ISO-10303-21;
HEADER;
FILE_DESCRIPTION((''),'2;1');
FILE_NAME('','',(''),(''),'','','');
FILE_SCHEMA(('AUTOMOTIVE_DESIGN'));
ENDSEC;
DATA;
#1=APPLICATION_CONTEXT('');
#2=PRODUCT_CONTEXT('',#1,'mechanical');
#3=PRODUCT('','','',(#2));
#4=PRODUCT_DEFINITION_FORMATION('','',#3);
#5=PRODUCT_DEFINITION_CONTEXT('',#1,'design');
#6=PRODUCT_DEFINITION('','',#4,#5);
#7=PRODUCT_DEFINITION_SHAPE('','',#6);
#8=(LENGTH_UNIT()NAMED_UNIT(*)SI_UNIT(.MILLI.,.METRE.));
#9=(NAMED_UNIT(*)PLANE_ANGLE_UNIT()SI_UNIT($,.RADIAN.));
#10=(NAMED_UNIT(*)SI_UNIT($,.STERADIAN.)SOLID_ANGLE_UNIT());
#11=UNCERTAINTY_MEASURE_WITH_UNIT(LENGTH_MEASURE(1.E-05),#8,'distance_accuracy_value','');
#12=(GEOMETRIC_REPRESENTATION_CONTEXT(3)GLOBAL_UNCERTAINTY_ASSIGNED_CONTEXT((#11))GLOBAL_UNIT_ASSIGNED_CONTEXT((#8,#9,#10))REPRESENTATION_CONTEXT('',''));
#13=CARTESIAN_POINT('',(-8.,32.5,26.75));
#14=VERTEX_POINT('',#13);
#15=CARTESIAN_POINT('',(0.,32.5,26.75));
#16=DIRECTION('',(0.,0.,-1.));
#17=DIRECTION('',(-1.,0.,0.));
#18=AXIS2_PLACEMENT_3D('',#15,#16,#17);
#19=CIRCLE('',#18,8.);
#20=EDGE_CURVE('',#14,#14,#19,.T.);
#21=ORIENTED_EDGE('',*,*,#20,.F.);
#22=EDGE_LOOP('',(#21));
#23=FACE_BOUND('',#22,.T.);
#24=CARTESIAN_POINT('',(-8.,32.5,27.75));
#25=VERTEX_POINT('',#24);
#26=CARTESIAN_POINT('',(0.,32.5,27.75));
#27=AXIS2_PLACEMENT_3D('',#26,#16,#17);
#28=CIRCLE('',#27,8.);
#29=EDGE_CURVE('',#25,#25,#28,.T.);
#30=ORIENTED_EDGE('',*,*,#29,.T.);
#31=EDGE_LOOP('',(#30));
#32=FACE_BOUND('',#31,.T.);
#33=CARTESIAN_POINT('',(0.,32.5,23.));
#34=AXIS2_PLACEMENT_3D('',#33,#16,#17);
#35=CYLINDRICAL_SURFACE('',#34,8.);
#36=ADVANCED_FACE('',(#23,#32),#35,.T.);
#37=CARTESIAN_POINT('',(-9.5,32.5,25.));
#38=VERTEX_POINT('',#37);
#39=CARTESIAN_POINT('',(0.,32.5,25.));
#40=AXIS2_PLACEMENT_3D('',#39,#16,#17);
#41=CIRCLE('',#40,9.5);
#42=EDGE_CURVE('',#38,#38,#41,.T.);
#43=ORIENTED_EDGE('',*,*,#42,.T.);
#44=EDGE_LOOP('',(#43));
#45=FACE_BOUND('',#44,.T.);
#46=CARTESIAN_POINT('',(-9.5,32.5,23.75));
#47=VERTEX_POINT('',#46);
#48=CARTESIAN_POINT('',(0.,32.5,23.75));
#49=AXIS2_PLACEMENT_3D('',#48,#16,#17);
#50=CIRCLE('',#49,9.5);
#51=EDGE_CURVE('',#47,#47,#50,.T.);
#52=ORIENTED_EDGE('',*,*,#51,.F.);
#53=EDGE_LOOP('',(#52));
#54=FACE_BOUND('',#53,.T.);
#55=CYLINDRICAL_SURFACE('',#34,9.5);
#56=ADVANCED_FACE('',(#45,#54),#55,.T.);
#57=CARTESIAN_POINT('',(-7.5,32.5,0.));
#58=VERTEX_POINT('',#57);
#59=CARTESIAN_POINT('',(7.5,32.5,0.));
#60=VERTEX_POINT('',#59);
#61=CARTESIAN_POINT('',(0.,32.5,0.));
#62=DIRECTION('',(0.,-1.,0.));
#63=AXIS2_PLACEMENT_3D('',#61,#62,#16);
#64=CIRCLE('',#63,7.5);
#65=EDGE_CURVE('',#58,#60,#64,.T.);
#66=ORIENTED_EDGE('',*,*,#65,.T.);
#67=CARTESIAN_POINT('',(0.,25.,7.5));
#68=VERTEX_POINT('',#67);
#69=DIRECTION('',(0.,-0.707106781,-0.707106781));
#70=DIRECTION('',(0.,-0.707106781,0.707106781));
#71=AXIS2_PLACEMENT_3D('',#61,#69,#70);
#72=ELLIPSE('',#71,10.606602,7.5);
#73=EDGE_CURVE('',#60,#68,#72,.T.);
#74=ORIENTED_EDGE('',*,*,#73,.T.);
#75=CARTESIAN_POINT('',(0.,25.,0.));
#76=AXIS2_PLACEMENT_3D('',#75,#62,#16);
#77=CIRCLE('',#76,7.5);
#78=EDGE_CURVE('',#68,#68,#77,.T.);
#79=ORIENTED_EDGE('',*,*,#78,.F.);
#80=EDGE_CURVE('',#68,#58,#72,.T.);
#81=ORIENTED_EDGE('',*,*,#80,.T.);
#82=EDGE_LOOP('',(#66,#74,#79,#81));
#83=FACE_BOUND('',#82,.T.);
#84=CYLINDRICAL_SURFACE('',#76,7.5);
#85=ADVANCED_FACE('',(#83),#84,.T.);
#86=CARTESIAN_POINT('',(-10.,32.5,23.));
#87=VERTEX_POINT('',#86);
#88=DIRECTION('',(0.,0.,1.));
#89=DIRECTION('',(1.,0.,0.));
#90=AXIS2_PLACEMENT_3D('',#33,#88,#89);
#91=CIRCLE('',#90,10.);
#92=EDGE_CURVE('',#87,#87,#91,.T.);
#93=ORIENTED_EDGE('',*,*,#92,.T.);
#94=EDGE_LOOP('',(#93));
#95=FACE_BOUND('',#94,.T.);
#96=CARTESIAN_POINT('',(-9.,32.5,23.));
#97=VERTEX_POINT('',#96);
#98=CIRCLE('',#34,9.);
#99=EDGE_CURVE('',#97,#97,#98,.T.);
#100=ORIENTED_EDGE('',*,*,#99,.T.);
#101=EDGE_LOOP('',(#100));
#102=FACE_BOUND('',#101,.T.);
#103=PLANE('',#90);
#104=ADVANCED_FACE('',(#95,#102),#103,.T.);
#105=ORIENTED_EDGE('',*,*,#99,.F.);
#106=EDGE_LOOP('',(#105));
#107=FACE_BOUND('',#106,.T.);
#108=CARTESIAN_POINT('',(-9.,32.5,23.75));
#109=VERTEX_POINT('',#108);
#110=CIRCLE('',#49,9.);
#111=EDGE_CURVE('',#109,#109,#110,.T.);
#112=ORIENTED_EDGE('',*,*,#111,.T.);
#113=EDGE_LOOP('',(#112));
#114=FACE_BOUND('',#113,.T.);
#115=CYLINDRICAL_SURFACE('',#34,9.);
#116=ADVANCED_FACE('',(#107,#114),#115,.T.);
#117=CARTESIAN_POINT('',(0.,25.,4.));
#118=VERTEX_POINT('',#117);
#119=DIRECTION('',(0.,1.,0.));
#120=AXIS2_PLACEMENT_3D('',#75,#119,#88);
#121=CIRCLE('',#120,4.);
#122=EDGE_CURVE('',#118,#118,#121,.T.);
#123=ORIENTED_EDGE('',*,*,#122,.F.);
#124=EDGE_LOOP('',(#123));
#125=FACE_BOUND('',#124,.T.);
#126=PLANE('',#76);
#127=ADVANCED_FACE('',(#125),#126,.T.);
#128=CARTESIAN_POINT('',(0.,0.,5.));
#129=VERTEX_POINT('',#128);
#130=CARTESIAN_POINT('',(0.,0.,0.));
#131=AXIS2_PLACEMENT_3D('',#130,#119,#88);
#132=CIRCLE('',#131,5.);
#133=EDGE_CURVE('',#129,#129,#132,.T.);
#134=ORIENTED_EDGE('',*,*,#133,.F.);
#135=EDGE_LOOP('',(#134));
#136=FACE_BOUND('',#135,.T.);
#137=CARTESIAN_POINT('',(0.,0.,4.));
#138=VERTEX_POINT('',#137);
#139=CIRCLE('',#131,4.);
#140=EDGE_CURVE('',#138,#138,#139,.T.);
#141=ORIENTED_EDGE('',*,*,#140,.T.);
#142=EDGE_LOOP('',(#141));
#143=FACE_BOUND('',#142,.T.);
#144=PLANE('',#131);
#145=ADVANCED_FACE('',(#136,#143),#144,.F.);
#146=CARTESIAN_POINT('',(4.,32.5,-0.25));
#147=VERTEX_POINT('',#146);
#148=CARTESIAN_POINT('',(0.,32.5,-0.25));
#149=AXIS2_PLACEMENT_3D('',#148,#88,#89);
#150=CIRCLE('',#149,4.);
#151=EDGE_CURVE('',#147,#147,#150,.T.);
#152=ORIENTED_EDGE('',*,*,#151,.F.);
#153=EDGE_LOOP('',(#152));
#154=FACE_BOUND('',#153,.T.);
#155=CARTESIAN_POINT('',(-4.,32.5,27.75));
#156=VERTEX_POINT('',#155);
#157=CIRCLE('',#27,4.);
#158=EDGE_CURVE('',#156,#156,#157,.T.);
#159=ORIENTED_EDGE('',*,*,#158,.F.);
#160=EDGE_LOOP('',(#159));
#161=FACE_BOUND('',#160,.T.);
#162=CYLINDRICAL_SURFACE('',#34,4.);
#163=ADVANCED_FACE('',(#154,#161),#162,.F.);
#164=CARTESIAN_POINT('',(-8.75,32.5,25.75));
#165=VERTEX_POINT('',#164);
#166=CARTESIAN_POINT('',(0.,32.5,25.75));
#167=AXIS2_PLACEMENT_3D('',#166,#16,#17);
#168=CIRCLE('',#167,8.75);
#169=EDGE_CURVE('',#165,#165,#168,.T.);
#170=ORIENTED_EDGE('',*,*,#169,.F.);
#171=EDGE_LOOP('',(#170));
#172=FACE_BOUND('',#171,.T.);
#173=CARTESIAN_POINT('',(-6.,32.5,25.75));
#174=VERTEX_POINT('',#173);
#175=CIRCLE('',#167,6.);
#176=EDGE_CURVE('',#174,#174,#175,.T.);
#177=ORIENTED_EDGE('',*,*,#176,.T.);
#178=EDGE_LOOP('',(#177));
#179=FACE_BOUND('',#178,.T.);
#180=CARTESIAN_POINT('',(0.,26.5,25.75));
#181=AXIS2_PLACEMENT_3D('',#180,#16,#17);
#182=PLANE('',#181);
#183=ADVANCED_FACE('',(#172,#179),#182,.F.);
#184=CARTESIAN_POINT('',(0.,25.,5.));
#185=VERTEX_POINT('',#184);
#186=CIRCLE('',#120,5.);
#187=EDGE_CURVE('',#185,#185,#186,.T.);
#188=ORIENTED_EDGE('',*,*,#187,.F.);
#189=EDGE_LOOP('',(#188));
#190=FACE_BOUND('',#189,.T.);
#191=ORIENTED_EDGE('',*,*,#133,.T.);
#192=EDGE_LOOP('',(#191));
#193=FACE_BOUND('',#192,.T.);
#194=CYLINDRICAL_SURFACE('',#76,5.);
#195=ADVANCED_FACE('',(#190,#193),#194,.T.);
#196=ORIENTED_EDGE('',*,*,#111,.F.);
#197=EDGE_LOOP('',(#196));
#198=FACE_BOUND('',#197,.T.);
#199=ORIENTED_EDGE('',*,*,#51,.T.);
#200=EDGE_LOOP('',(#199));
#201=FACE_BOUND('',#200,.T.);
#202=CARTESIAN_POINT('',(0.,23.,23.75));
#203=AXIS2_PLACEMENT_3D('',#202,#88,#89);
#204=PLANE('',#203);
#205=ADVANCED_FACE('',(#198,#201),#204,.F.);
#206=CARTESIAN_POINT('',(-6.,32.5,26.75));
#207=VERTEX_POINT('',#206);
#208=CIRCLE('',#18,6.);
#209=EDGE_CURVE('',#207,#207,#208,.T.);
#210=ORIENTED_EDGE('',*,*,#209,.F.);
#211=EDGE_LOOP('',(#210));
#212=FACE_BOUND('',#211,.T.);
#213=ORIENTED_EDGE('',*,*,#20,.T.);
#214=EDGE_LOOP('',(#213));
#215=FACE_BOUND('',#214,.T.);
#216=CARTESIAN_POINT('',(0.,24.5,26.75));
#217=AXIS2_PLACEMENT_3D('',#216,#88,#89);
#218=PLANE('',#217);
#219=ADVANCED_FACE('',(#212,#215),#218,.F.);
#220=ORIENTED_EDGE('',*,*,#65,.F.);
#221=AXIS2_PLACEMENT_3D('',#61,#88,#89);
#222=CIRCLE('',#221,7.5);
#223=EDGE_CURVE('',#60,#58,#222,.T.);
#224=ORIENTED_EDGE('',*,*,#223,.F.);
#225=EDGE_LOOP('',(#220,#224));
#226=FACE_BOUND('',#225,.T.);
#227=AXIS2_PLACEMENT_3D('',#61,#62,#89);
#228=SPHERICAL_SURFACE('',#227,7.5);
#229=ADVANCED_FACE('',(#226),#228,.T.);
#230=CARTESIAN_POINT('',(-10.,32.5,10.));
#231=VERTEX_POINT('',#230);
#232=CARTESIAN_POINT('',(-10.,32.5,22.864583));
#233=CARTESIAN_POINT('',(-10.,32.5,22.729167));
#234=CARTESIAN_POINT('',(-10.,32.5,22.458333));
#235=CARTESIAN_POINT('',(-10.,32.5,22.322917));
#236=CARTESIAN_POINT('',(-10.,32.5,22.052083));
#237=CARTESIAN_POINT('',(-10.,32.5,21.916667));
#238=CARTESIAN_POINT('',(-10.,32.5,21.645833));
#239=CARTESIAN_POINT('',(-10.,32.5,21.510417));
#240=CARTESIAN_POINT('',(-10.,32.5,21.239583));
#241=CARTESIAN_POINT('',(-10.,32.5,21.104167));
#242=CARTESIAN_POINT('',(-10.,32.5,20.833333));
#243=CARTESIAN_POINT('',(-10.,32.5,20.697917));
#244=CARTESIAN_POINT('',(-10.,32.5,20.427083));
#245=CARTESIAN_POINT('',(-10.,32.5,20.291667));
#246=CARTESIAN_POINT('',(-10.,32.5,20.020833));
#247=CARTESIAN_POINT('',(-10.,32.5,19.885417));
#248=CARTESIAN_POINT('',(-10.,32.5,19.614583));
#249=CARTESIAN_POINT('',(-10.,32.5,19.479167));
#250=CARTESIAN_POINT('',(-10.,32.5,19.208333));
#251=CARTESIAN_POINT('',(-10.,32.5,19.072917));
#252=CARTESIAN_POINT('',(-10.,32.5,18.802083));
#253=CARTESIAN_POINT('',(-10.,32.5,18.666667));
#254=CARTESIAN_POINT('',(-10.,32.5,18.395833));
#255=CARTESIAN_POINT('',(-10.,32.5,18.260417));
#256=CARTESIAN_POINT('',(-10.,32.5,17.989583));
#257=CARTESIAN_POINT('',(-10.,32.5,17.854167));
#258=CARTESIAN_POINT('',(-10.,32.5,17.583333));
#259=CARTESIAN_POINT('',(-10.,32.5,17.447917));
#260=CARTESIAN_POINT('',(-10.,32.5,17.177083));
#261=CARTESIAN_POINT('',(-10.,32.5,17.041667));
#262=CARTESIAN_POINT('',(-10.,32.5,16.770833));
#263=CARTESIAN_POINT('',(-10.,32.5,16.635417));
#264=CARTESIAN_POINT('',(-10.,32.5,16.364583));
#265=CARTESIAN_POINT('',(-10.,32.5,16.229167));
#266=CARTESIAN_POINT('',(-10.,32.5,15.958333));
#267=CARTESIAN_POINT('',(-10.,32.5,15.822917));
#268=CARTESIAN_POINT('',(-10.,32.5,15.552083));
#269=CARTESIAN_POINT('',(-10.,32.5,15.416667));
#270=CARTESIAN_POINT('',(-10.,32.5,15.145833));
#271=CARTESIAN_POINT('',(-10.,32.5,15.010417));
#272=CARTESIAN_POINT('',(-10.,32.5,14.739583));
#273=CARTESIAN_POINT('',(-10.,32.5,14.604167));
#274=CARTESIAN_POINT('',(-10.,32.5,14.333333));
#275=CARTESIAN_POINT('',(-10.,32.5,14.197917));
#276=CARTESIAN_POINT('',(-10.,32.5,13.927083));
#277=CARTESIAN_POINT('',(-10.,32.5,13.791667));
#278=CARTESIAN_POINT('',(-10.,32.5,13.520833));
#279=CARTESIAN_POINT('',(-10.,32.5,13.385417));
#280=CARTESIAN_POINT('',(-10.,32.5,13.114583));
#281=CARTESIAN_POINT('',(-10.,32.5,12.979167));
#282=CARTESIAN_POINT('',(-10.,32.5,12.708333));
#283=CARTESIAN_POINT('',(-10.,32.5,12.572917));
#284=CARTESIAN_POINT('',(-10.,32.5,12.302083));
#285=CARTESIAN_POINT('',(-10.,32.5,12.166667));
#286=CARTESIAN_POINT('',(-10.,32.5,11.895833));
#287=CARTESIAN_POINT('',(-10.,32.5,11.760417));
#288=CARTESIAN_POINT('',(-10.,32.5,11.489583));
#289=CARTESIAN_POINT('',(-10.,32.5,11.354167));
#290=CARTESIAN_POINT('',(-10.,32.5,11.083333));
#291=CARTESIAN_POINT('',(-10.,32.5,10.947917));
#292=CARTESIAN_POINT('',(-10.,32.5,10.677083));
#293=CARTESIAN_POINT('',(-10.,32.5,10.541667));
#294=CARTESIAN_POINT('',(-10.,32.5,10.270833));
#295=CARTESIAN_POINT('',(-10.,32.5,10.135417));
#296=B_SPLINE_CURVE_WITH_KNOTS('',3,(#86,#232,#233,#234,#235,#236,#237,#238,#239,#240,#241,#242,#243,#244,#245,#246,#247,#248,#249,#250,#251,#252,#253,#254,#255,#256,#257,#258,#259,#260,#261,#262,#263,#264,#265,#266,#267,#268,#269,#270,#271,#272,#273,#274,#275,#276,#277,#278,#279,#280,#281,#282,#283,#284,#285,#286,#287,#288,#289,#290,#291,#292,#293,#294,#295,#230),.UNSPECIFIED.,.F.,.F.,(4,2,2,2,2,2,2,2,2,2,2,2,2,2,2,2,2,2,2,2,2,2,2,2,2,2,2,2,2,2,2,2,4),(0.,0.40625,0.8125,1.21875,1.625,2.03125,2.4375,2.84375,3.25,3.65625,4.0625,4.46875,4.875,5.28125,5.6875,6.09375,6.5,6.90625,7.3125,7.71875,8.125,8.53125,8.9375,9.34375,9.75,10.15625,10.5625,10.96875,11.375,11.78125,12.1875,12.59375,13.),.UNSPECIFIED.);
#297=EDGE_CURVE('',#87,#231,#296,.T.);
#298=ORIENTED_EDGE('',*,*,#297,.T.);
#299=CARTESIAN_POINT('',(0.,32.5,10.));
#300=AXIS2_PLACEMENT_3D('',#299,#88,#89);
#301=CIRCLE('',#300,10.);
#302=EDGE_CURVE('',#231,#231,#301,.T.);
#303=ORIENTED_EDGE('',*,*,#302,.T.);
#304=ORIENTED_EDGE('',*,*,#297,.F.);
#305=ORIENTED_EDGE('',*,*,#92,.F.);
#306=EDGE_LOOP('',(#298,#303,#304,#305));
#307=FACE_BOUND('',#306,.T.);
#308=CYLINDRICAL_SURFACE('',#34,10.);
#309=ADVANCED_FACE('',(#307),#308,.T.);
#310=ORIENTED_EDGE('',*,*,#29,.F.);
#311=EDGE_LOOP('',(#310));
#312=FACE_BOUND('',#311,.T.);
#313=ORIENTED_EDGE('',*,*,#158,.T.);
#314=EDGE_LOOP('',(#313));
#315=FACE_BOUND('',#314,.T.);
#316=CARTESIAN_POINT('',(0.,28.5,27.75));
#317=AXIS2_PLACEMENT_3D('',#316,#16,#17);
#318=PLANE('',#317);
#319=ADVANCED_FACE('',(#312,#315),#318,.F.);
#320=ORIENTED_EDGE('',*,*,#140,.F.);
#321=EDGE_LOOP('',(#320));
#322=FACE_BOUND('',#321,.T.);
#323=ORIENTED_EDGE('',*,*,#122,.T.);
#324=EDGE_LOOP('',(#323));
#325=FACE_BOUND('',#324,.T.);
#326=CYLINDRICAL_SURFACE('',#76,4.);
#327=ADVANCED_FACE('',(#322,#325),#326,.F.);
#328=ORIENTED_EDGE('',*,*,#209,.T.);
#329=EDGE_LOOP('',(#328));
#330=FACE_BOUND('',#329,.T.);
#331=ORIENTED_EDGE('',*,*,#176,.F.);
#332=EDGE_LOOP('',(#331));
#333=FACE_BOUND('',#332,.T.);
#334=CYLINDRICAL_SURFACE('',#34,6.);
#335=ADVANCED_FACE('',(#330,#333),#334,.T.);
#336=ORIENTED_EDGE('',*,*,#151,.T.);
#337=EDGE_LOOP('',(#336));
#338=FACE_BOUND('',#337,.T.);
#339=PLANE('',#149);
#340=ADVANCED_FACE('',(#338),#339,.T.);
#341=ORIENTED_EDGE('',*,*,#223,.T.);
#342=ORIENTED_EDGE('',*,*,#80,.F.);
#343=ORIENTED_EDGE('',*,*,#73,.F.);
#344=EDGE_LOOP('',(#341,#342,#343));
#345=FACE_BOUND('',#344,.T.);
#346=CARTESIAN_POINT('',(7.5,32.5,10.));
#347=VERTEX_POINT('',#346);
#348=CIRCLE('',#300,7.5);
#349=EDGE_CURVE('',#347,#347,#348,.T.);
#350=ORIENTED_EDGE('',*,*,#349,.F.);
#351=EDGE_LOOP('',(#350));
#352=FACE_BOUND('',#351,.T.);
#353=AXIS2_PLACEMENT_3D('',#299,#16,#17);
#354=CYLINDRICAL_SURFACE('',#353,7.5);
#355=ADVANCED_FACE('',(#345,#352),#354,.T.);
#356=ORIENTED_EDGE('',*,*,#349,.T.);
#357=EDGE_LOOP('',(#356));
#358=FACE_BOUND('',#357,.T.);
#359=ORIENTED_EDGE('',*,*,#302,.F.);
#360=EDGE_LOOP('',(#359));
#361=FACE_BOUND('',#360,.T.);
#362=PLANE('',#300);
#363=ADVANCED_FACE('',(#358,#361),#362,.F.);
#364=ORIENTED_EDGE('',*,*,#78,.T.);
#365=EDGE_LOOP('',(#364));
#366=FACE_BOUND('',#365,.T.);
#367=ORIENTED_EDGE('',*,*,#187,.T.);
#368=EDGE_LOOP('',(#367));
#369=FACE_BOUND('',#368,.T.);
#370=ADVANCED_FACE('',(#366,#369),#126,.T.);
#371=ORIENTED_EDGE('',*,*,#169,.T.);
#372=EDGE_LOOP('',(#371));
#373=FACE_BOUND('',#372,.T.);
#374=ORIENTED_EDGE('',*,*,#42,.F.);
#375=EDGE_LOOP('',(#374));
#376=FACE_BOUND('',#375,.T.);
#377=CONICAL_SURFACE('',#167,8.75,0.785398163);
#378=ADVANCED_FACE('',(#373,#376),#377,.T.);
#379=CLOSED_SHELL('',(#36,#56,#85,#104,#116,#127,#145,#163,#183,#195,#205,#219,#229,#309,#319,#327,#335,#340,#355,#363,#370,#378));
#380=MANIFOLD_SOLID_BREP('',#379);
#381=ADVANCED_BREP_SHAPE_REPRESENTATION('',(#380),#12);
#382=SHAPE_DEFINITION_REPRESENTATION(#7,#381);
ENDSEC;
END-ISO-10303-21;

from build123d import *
from build123d.topology import SkipClean

# Parameters (mm, degrees)
SKETCH_1_R          = 5
SKETCH_1_R_2        = 4
EXTRUDE_1_DEPTH     = 25
SKETCH_3_R          = 7.5
EXTRUDE_2_DEPTH     = 10
SKETCH_4_R          = 10
EXTRUDE_3_DEPTH     = 13
SKETCH_6_R          = 4
CUT_EXTRUDE_1_DEPTH = 28


with BuildPart() as part:
    # Эскиз1 → Бобышка-Вытянуть1 (new body)
    with BuildSketch(Plane(origin=(0, 0, 0), x_dir=(1, 0, 0), z_dir=(0, 1, 0))):
        with Locations(Location((0, 0, 0), (0, 0, 270))):
            Circle(SKETCH_1_R)
        with Locations(Location((0, 0, 0), (0, 0, 270))):
            Circle(SKETCH_1_R_2, mode=Mode.SUBTRACT)
    extrude(amount=EXTRUDE_1_DEPTH)

    # Эскиз2 → Повернуть1 (revolve)
    with BuildSketch(Plane.XY, mode=Mode.PRIVATE) as revolve_1_sk:
        with BuildLine():
            Line((0, 25), (0, 40))
            ThreePointArc((0, 40), (5.303300859, 37.803300859), (7.5, 32.5))
            Line((7.5, 32.5), (7.5, 25))
            Line((7.5, 25), (0, 25))
        make_face()
    revolve(revolve_1_sk.sketch.rotate(Axis((0, 25, 0), (0, 1, 0)), 90), axis=Axis((0, 25, 0), (0, 1, 0)))

    # Эскиз3 → Бобышка-Вытянуть2 (add)
    with SkipClean():  # the faces are left unmerged after this step: merging them gives an invalid solid
        with BuildSketch(Plane.XY):
            with Locations((0, 32.5)):
                Circle(SKETCH_3_R)
        extrude(amount=EXTRUDE_2_DEPTH)

    # Эскиз4 → Бобышка-Вытянуть3 (add)
    with SkipClean():  # the faces are left unmerged after this step: merging them gives an invalid solid
        with BuildSketch(Plane.XY.offset(10)):
            with Locations(Location((0, 32.5, 0), (0, 0, 180))):
                Circle(SKETCH_4_R)
        extrude(amount=EXTRUDE_3_DEPTH)

    # Эскиз5 → Повернуть3 (revolve)
    with SkipClean():  # the faces are left unmerged after this step: merging them gives an invalid solid
        with BuildSketch(Plane(origin=(0, 0, 0), x_dir=(0, 0, -1), z_dir=(1, 0, 0)), mode=Mode.PRIVATE) as revolve_3_sk:
            Polygon((-26.75, 24.5), (-26.75, 26.5), (-25.75, 26.5), (-25.75, 23.75), (-25, 23), (-23.75, 23), (-23.75, 23.5), (-23, 23.5), (-23, 28.5), (-27.75, 28.5), (-27.75, 24.5), align=None)
        revolve(revolve_3_sk.sketch.rotate(Axis((0, 32.5, 23), (0, 0, 1)), 270), axis=Axis((0, 32.5, 23), (0, 0, 1)))

    # Эскиз6 → Вырез-Вытянуть1 (cut)
    with SkipClean():  # the faces are left unmerged after this step: merging them gives an invalid solid
        with BuildSketch(Plane.XY.offset(27.75)):
            with Locations(Location((0, 32.5, 0), (0, 0, 180))):
                Circle(SKETCH_6_R)
        extrude(amount=-CUT_EXTRUDE_1_DEPTH, mode=Mode.SUBTRACT)


solid = part.part
